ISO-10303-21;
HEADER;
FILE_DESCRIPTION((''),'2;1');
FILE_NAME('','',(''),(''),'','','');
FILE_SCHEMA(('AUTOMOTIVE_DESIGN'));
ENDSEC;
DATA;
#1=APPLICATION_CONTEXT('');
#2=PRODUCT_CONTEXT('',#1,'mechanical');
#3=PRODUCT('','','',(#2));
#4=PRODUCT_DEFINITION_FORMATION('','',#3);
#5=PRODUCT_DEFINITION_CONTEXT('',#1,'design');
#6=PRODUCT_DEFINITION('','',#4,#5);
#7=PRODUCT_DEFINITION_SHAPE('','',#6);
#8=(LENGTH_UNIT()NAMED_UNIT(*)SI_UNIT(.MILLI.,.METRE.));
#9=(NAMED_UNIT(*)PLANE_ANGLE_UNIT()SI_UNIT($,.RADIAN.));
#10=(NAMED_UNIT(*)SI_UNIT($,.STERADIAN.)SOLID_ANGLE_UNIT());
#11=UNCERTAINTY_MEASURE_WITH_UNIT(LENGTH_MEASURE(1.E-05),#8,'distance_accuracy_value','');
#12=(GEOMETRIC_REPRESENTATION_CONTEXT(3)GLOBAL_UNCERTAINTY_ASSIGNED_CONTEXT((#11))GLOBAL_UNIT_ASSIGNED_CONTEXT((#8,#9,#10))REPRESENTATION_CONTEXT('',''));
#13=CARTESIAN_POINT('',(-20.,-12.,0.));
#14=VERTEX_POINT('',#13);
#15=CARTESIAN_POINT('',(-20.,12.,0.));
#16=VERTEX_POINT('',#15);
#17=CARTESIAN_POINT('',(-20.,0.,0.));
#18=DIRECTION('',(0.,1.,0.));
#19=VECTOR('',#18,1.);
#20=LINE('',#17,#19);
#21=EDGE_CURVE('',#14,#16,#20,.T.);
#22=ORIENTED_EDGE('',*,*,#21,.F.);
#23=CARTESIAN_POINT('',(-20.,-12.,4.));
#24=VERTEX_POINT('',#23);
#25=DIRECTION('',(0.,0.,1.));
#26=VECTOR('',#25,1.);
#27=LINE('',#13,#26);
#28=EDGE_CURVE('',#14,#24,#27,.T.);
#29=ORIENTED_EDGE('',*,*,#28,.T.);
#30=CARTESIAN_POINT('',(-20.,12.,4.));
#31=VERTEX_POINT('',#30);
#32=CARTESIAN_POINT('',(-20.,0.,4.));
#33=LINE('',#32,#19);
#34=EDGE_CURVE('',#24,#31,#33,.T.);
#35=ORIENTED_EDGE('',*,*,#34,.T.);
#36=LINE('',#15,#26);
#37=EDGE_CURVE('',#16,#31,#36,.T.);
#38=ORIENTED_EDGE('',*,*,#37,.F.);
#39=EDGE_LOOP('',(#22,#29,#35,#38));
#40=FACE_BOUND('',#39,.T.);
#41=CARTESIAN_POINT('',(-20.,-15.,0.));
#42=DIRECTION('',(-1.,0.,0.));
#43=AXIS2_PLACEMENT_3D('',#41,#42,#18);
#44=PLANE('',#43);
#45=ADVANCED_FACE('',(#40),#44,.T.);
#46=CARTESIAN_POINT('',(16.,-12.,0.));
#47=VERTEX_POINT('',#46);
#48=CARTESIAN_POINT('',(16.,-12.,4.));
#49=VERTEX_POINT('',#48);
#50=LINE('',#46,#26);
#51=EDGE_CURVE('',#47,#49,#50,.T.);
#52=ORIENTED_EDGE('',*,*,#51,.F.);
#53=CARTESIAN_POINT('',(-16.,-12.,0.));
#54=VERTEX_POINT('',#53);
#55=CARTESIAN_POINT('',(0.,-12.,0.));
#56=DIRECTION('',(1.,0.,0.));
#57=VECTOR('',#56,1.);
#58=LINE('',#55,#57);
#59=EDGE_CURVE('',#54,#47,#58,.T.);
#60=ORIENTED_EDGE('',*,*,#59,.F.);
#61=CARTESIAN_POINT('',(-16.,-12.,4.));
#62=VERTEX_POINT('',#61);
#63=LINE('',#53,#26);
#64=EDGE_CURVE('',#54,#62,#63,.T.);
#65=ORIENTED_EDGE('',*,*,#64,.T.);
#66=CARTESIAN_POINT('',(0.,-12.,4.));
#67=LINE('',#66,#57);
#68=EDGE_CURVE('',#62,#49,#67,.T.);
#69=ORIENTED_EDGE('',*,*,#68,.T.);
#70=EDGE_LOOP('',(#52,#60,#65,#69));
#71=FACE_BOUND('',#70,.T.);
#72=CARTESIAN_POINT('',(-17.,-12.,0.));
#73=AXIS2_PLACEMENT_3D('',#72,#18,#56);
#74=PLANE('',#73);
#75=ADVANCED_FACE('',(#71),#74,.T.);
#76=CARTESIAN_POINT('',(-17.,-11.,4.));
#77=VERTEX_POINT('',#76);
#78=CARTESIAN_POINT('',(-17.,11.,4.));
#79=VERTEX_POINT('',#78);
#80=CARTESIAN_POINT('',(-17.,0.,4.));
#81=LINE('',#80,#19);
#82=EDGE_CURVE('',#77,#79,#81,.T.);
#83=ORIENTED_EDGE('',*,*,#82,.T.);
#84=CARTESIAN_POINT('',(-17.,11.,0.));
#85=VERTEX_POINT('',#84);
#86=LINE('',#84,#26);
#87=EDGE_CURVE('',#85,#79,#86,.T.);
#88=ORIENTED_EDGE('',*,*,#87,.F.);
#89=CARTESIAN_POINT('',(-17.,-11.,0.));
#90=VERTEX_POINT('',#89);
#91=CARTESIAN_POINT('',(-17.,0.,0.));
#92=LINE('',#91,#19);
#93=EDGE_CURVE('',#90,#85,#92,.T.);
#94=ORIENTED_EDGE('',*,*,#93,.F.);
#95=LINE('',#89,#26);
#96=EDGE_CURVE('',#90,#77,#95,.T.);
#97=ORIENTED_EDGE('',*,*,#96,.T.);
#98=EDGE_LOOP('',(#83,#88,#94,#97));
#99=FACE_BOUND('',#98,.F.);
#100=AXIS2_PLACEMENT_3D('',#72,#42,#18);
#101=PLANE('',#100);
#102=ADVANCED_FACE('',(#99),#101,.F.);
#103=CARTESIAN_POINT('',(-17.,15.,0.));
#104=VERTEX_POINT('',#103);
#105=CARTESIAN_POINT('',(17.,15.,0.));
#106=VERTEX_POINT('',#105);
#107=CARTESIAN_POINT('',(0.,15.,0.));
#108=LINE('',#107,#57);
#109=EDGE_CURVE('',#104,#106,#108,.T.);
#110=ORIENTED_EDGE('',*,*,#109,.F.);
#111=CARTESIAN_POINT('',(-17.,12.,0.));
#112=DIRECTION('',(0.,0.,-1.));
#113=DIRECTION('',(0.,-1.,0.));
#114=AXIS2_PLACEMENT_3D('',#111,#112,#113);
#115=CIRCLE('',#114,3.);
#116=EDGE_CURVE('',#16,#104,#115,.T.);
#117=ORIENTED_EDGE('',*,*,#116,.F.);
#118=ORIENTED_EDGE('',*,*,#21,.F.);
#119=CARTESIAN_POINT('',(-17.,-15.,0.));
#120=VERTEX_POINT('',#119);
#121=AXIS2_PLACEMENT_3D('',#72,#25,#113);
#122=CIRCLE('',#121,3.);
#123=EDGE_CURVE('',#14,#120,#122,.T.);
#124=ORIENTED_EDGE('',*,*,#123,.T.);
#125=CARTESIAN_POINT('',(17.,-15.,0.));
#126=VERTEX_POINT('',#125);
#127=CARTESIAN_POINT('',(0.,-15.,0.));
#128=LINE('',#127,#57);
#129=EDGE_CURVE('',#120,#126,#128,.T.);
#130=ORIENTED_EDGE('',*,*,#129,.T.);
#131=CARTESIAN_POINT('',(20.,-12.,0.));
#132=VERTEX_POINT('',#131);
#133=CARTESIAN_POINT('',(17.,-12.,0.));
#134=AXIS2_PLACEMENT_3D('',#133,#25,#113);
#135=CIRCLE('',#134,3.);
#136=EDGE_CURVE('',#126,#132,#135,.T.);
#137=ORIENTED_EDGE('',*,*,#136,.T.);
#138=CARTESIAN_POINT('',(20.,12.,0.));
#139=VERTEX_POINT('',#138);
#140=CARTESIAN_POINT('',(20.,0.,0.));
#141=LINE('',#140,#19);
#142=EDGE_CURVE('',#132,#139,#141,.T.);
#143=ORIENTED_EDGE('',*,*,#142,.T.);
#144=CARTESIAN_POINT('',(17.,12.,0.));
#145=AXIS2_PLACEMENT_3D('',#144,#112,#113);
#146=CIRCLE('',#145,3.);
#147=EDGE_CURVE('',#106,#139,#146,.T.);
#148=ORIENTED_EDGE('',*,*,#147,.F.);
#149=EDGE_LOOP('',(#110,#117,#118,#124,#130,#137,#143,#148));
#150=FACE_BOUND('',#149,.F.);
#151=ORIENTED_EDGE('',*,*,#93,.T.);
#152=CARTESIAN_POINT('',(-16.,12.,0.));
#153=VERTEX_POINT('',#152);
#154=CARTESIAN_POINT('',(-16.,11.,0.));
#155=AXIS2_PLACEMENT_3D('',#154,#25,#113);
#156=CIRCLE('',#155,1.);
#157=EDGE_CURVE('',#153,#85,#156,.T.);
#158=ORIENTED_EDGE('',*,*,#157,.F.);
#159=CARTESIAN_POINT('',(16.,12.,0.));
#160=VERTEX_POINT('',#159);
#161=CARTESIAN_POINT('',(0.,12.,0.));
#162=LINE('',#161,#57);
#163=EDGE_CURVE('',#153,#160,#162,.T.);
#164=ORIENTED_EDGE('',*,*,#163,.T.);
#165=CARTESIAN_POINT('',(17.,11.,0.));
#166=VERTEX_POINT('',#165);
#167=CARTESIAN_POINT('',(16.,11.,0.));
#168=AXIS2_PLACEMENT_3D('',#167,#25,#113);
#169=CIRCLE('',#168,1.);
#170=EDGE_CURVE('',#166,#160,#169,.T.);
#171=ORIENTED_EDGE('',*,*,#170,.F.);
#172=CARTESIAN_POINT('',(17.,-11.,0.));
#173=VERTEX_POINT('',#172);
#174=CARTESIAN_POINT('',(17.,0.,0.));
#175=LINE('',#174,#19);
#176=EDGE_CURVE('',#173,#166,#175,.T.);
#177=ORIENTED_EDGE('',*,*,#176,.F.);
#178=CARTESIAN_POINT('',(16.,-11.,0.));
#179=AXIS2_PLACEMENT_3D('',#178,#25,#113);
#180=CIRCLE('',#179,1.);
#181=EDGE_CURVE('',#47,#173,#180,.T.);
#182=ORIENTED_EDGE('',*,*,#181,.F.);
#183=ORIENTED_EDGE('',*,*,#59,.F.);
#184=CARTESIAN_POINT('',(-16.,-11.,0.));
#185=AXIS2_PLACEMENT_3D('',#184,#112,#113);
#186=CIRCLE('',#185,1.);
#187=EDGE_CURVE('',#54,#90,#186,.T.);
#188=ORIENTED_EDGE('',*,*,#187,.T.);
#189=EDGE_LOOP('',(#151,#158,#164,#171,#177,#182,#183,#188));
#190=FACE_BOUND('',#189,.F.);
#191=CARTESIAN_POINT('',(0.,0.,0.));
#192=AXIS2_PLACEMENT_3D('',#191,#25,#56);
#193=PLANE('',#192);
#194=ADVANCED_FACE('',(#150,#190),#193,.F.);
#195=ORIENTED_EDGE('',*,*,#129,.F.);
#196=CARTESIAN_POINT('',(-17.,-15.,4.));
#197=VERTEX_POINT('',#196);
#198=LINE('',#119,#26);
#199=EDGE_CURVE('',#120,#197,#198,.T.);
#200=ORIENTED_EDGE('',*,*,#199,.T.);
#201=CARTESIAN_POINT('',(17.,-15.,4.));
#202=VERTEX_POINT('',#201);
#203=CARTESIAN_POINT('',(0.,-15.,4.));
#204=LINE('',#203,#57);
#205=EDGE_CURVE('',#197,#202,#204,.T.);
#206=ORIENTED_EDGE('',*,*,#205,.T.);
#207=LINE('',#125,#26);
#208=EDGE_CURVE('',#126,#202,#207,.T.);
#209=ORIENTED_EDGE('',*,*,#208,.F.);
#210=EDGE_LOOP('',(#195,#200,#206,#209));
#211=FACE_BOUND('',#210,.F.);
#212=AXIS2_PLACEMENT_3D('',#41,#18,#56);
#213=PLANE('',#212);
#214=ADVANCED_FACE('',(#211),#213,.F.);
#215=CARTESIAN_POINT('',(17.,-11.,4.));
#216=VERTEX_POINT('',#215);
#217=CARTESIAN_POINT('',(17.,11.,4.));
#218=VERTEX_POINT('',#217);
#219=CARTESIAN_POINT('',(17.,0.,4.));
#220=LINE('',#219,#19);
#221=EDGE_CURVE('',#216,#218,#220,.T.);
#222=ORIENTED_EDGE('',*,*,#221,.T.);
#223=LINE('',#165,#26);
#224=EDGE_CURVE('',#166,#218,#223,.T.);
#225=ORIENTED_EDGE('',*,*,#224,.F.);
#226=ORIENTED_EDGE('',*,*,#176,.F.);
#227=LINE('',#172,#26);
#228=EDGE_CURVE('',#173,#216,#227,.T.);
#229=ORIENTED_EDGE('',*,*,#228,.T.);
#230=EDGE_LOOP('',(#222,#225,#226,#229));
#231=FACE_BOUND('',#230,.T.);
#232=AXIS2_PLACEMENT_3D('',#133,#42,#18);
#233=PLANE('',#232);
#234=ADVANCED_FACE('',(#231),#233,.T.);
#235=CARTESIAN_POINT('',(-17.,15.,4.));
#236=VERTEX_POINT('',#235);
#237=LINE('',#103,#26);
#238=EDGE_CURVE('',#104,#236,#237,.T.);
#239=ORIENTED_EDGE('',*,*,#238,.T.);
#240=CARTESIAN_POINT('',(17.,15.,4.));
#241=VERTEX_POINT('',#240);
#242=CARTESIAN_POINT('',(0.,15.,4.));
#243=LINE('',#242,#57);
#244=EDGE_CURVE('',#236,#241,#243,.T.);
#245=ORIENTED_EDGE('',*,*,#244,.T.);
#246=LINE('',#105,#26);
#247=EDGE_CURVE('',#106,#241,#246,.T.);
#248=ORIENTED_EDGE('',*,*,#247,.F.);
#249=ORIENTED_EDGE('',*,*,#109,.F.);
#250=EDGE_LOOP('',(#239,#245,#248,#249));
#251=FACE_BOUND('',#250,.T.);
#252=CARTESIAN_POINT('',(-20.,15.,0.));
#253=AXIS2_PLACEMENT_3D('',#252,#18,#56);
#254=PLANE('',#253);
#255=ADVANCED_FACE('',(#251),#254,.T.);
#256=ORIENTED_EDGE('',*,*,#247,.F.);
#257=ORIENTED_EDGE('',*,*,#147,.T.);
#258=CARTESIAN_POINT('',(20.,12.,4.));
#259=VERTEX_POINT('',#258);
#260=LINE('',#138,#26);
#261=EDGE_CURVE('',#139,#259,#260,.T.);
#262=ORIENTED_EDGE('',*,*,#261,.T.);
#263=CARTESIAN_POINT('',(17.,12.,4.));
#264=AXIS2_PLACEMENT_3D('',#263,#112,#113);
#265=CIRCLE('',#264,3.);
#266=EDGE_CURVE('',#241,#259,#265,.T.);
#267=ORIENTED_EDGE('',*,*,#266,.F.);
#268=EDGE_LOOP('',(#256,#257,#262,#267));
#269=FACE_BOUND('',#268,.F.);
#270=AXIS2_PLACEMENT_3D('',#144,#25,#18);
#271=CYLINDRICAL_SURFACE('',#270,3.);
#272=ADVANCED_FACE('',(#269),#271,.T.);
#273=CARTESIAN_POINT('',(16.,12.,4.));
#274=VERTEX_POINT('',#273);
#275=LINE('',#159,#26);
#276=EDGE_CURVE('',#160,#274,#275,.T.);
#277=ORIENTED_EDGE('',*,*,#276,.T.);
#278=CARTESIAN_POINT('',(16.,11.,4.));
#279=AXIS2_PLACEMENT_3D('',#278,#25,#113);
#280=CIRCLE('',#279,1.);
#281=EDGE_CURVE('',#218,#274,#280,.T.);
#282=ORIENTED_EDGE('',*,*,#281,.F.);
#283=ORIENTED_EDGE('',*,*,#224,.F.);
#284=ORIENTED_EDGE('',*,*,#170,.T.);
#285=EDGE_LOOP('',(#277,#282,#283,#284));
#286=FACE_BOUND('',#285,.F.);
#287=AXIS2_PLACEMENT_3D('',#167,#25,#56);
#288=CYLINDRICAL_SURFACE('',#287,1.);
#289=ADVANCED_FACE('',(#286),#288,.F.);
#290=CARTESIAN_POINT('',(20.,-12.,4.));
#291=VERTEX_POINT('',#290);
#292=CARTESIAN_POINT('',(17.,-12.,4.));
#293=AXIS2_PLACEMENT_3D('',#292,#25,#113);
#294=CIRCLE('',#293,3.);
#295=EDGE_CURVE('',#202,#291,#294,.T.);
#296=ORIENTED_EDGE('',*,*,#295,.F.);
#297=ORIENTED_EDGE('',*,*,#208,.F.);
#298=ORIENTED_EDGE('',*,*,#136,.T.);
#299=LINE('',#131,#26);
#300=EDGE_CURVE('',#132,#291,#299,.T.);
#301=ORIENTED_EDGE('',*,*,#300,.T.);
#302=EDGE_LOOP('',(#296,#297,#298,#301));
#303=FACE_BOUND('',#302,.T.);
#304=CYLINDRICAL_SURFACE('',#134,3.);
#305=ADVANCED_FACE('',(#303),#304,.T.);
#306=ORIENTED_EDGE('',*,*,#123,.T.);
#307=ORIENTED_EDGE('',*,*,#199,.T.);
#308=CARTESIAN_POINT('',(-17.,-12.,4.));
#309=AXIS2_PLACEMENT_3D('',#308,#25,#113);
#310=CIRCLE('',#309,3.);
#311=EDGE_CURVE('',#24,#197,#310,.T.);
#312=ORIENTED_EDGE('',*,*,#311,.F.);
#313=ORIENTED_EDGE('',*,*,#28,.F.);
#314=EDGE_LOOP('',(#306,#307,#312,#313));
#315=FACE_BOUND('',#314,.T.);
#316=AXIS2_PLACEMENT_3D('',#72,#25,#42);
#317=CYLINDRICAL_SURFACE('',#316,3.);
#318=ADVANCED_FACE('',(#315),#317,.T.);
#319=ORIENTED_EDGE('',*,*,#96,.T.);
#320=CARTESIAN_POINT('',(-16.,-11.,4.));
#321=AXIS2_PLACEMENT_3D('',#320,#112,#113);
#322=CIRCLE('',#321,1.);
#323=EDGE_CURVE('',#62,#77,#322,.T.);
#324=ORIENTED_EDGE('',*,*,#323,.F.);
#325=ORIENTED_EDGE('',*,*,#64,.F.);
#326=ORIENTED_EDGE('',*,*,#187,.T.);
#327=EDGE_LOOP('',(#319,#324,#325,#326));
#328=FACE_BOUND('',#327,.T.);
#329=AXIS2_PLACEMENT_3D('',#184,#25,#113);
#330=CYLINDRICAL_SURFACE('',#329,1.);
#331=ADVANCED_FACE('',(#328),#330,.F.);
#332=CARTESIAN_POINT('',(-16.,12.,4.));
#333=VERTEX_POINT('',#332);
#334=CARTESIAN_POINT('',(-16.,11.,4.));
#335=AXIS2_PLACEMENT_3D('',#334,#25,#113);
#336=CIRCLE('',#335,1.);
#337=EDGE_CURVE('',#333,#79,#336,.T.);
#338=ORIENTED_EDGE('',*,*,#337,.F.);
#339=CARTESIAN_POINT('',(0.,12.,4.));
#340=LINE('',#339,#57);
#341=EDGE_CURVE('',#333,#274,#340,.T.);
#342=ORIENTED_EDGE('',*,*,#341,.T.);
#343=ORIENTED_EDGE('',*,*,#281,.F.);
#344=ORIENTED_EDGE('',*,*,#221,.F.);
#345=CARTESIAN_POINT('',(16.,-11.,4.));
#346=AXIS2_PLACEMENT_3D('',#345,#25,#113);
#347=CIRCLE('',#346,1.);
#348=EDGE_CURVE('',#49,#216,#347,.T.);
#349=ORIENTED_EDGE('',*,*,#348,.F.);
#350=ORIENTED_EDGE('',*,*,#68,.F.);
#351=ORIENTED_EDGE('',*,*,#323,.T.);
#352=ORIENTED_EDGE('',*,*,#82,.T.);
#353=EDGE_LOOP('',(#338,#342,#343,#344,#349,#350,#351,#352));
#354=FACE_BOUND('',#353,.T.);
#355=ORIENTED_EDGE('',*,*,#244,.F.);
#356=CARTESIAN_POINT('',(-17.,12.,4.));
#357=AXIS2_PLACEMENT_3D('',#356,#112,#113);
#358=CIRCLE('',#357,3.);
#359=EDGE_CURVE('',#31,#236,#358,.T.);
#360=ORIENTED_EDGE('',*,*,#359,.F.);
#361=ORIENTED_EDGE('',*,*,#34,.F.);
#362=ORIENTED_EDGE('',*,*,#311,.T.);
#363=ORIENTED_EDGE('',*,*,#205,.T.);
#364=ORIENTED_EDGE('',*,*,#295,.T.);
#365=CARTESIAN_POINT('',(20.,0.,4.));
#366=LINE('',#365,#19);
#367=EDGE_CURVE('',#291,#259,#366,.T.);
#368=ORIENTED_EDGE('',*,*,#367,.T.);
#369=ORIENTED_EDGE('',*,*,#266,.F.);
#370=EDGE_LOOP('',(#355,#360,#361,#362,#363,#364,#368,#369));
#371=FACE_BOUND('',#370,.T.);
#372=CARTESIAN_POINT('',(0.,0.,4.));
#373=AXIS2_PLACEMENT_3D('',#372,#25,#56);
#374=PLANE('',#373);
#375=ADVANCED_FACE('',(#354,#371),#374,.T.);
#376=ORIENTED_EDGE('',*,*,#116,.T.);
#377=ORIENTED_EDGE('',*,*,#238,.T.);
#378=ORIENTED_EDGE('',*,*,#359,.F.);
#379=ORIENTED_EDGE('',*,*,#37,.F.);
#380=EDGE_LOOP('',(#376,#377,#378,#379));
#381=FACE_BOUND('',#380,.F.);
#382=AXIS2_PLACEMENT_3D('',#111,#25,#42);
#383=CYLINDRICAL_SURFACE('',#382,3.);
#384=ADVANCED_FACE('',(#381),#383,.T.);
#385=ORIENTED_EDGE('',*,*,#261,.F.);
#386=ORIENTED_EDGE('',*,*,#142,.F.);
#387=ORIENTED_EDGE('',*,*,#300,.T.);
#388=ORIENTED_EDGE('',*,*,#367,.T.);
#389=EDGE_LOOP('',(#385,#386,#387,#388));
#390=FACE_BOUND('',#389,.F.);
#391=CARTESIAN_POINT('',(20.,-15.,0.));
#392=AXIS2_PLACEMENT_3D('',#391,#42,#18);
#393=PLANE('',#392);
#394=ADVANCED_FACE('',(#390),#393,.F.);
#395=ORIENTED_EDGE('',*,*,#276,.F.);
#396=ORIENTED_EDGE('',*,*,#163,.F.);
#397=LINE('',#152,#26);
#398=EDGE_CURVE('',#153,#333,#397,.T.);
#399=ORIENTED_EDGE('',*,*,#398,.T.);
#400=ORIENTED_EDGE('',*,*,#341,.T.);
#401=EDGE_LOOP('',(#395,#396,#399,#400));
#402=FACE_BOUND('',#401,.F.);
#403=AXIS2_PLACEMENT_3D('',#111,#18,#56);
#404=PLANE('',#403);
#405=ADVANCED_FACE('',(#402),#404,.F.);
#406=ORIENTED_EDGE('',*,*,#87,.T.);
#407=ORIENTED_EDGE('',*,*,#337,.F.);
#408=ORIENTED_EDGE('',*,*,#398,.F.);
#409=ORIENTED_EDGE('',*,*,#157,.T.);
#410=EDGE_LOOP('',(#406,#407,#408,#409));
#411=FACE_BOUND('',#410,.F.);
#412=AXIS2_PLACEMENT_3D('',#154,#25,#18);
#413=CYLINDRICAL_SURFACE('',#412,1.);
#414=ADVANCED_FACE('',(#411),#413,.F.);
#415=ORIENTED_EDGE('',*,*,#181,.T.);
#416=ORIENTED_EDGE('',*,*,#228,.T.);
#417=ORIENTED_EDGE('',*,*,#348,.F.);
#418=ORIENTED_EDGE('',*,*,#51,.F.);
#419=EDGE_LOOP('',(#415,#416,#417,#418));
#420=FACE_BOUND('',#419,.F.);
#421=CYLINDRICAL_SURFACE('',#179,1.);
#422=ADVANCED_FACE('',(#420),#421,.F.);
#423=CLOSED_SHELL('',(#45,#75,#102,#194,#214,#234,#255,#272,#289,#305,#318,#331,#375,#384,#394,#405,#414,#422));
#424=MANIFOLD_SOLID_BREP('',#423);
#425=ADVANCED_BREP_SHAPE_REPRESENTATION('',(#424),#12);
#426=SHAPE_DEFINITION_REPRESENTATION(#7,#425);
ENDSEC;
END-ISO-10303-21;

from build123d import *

# Parameters (mm, degrees)
SKETCH_W    = 40
SKETCH_H    = 30
SKETCH_W_2  = 34
SKETCH_H_2  = 24
PAD_DEPTH   = 4
FILLET_R    = 3
FILLET001_R = 1


with BuildPart() as part:
    # Sketch → Pad (new body)
    with BuildSketch(Plane.XY):
        Rectangle(SKETCH_W, SKETCH_H)
        Rectangle(SKETCH_W_2, SKETCH_H_2, mode=Mode.SUBTRACT)
    extrude(amount=PAD_DEPTH)

    # Fillet
    fillet_edges = [part.edges().sort_by_distance(p)[0] for p in [
        (-20, -15, 2),
        (20, -15, 2),
        (20, 15, 2),
        (-20, 15, 2),
    ]]
    fillet(fillet_edges, radius=FILLET_R)

    # Fillet001
    fillet001_edges = [part.edges().sort_by_distance(p)[0] for p in [
        (17, 12, 2),
        (-17, 12, 2),
        (-17, -12, 2),
        (17, -12, 2),
    ]]
    fillet(fillet001_edges, radius=FILLET001_R)


solid = part.part
